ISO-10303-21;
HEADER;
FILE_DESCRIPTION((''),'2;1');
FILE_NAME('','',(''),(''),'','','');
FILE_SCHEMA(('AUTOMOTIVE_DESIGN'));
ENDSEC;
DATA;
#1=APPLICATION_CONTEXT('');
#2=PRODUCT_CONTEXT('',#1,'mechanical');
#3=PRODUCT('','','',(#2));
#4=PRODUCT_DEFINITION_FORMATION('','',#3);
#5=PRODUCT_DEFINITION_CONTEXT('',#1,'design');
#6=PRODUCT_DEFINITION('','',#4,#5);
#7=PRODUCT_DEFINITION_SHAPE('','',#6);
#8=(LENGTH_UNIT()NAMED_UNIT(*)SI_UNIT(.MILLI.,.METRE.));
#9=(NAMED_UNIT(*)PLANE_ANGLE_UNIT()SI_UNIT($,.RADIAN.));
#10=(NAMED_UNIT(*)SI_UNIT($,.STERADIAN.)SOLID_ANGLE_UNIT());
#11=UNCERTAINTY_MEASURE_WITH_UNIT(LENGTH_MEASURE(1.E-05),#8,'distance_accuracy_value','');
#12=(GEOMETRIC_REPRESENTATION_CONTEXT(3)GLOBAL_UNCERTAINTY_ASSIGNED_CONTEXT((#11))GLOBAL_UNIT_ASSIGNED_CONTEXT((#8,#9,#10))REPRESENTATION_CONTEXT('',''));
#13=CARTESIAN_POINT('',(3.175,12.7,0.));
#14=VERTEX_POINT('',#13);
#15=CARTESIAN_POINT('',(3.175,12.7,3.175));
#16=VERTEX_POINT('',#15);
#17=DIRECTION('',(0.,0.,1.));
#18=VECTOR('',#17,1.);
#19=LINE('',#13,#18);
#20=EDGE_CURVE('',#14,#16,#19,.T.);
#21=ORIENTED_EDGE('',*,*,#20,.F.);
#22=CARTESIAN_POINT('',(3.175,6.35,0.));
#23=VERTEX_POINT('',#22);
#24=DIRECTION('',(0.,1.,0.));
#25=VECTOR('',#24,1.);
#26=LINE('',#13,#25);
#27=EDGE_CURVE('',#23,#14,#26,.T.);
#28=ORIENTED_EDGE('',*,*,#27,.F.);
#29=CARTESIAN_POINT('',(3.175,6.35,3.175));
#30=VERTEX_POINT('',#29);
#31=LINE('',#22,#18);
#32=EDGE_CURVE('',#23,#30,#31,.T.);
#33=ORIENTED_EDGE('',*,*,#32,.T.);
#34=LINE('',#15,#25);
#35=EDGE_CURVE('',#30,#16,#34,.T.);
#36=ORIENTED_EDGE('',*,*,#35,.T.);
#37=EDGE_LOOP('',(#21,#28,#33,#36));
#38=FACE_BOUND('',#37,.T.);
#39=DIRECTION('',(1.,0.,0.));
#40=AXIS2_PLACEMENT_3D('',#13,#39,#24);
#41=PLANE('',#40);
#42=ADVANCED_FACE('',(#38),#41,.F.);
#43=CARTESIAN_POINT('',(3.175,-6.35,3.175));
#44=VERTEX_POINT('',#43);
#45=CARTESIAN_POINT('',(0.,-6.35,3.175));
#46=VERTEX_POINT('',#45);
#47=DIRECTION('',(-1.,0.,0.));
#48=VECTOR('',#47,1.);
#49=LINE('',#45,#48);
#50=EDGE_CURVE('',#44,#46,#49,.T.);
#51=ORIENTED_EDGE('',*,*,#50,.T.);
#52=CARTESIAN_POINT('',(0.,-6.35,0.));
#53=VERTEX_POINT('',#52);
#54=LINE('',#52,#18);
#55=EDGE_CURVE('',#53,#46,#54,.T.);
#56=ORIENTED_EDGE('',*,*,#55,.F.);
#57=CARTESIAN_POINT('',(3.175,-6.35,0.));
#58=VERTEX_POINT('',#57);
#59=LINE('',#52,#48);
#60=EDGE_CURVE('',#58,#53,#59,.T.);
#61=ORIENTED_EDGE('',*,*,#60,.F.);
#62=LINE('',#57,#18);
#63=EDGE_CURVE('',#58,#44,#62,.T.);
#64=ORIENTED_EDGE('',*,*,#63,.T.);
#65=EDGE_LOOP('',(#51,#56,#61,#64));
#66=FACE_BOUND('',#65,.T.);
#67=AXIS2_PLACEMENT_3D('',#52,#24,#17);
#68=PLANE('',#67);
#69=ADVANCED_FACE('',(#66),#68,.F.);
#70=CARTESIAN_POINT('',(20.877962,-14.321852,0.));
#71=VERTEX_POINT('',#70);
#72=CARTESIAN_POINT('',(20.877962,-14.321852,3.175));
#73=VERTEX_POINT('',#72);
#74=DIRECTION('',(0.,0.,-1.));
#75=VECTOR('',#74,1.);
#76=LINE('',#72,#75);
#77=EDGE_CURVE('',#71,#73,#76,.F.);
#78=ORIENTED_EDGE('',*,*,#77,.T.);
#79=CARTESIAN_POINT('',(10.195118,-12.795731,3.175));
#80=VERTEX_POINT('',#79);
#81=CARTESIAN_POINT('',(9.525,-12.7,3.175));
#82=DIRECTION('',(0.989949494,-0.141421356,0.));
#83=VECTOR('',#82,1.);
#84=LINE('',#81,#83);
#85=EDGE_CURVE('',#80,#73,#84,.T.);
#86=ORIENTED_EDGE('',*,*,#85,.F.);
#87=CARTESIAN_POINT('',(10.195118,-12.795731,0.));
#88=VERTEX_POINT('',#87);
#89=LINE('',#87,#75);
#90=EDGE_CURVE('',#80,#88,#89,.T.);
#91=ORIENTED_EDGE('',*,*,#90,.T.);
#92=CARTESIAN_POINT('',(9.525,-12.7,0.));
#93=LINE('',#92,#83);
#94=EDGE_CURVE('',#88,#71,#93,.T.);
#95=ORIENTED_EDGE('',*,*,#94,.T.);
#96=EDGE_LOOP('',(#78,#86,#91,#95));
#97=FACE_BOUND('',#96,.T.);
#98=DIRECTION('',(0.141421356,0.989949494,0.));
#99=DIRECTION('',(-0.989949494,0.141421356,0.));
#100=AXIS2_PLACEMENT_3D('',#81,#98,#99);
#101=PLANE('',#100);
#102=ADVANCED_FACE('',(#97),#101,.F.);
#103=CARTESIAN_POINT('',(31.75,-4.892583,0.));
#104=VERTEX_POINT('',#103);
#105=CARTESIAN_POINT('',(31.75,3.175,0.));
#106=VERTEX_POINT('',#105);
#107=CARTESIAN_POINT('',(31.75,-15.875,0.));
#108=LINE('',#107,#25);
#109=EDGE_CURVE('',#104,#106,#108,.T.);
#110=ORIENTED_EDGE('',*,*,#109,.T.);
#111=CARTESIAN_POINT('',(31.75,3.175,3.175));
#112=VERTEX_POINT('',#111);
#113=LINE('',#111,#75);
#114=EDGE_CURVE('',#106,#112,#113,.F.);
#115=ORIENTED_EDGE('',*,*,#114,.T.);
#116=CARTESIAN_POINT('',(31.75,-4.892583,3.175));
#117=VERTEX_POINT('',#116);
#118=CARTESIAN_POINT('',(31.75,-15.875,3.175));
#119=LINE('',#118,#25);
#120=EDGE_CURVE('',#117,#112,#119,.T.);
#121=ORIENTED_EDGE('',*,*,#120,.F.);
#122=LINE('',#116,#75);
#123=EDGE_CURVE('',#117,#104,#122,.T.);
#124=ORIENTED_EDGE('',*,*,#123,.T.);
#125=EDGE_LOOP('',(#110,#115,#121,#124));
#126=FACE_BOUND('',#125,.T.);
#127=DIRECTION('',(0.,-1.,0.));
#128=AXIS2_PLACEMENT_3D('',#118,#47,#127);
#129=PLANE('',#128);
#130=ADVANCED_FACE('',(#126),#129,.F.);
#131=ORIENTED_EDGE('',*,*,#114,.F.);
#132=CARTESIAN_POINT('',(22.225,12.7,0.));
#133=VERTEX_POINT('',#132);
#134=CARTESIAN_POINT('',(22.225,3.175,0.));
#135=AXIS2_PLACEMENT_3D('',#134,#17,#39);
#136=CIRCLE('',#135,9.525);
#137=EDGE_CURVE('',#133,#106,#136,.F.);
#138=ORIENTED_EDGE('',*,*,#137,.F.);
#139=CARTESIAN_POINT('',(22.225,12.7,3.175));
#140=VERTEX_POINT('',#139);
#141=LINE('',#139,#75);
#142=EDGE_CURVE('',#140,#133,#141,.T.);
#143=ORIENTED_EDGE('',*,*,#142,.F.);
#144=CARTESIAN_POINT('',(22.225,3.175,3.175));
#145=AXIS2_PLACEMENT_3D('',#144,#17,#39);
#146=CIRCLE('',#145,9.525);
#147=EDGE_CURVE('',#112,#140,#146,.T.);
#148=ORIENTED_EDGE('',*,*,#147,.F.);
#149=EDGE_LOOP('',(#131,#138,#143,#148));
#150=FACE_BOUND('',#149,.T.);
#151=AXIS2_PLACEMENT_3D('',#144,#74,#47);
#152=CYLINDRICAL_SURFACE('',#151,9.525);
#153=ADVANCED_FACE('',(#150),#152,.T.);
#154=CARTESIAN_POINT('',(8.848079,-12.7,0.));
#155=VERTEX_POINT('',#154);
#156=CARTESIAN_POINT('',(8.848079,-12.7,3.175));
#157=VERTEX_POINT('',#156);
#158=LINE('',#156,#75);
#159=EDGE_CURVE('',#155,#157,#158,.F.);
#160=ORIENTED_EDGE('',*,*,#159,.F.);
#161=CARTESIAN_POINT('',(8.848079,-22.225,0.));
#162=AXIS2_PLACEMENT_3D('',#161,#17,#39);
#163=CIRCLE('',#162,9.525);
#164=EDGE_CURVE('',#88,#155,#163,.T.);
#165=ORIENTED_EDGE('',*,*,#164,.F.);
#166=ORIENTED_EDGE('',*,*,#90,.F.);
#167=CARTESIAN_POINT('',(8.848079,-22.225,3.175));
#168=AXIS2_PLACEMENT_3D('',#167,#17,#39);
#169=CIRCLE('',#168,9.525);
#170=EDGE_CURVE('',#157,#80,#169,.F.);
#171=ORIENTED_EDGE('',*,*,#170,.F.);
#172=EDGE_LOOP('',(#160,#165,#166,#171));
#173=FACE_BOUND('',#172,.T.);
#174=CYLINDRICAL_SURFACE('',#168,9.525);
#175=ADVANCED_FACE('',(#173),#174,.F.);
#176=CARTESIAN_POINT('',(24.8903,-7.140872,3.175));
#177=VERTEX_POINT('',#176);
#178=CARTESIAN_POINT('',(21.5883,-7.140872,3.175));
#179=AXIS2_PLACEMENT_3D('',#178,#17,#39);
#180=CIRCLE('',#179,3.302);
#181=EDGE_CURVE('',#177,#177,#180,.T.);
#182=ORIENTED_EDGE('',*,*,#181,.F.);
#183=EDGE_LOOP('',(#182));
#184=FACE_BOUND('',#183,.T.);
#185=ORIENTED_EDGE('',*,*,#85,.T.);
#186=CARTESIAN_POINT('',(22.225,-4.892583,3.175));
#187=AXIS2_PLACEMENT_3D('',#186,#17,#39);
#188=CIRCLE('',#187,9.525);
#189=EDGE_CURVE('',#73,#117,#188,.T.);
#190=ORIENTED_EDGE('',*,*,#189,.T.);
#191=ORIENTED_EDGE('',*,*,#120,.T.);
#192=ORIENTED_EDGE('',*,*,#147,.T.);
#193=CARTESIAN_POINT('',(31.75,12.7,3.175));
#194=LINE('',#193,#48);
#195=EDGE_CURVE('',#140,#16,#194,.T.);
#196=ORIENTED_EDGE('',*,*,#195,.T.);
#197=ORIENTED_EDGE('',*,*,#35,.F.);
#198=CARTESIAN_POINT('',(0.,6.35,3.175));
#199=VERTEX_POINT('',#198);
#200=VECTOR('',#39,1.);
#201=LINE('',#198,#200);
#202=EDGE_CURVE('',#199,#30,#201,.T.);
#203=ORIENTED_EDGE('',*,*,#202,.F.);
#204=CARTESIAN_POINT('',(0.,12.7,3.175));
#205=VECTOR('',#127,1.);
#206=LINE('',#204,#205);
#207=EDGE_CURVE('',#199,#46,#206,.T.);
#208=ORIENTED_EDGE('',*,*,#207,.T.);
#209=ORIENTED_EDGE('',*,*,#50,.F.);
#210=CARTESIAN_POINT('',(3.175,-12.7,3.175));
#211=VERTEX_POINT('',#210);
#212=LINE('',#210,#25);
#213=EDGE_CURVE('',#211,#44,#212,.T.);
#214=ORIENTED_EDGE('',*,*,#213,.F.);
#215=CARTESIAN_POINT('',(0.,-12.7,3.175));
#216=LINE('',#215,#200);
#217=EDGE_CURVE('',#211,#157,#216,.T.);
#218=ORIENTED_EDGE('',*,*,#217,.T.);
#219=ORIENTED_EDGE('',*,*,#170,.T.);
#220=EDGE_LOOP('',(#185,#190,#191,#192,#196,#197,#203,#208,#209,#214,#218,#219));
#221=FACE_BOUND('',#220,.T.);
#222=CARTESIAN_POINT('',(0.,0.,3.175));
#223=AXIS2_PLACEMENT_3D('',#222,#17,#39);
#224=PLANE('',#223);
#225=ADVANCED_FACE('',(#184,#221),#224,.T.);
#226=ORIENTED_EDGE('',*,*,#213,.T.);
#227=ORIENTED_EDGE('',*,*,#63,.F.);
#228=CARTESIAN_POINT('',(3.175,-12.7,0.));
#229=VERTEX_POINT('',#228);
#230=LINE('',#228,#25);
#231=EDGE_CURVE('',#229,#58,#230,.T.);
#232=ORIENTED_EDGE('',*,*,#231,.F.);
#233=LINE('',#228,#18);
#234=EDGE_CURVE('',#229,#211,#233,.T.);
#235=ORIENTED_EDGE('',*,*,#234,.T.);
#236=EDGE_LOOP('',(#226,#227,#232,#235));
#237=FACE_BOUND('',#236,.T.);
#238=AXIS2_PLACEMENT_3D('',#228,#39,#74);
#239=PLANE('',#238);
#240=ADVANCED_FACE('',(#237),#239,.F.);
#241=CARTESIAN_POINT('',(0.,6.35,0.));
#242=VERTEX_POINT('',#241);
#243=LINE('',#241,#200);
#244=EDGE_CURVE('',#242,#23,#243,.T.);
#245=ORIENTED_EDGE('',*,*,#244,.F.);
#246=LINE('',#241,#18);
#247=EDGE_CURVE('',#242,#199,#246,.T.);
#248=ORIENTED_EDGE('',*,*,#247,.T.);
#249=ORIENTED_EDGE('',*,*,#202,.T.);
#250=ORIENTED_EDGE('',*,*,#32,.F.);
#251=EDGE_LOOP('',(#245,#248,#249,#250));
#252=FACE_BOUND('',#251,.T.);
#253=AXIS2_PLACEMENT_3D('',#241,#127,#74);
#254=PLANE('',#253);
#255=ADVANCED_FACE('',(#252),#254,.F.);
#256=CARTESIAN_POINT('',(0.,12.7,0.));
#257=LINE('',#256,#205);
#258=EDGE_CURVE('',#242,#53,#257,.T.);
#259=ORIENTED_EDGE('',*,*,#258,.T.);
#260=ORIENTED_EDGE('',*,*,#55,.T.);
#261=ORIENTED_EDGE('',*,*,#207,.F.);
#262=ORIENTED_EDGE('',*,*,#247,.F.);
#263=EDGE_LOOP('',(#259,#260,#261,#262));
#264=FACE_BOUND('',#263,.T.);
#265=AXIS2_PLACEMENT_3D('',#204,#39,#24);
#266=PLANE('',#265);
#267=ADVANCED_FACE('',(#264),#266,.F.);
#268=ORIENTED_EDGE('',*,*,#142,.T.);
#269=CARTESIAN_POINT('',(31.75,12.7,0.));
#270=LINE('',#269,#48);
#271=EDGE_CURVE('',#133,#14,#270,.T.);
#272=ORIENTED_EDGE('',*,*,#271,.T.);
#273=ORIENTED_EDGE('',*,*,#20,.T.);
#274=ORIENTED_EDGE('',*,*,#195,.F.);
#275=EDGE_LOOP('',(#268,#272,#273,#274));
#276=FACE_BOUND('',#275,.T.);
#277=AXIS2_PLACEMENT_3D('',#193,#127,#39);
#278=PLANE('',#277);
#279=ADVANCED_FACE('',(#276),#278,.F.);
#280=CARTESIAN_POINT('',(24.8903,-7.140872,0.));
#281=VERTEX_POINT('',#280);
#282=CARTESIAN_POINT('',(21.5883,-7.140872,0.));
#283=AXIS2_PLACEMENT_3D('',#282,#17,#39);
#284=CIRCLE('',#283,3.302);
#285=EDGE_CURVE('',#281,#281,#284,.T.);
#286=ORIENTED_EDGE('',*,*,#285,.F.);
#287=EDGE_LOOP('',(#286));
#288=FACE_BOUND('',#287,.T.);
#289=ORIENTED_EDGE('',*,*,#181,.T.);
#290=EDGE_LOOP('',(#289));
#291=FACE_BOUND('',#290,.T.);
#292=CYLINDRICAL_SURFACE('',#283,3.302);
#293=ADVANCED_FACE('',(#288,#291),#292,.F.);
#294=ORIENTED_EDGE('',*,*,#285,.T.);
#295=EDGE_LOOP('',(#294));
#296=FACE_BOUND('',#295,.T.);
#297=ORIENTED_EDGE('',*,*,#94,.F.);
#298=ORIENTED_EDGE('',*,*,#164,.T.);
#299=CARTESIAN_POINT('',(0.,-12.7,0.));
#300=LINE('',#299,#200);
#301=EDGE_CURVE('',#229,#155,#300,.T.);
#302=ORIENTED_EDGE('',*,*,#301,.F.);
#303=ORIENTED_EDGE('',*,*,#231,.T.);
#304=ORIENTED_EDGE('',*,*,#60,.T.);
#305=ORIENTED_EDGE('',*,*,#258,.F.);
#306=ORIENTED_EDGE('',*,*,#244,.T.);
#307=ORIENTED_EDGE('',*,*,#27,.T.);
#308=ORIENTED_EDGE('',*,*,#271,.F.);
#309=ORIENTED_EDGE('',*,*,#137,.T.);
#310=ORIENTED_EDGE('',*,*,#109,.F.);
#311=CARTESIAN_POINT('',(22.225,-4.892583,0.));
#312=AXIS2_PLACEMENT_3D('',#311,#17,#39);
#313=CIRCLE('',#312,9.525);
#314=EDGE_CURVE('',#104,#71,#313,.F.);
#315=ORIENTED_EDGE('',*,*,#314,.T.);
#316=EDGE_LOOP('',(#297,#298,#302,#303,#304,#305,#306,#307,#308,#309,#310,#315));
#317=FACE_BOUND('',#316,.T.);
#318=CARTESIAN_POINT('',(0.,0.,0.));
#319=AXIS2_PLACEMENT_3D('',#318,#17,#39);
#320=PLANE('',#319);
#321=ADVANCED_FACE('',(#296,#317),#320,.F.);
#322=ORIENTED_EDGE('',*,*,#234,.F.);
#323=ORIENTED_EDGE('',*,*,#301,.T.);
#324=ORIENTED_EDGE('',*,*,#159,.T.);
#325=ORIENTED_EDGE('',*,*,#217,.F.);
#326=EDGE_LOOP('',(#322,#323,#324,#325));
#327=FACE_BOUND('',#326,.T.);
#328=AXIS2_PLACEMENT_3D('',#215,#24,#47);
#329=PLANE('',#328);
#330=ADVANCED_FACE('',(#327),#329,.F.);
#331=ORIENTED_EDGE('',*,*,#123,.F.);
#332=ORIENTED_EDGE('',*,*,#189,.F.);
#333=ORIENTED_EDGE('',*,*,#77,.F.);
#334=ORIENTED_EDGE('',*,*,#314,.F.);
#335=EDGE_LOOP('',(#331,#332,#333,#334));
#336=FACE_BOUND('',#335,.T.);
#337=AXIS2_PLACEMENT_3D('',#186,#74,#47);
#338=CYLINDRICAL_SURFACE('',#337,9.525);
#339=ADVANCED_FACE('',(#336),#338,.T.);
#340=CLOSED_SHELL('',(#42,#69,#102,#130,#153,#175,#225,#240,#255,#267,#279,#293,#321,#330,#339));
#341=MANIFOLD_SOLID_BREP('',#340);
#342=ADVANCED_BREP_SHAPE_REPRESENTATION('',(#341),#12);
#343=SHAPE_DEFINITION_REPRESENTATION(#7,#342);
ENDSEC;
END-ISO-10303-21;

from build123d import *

# Parameters (mm, degrees)
BOSS_EXTRUDE1_DEPTH = 3.175
SKETCH2_R           = 3.302
CUT_EXTRUDE1_DEPTH  = 3.175
FILLET1_R           = 9.525
SKETCH3_W           = 3.175
SKETCH3_H           = 6.35
CUT_EXTRUDE2_DEPTH  = 3.175


with BuildPart() as part:
    # Sketch1 → Boss-Extrude1 (new body)
    with BuildSketch(Plane.XY):
        Polygon((0, 12.7), (0, -12.7), (9.525, -12.7), (31.75, -15.875), (31.75, 12.7), align=None)
    extrude(amount=BOSS_EXTRUDE1_DEPTH)

    # Sketch2 → Cut-Extrude1 (cut)
    with BuildSketch(Plane.XY.offset(3.175)):
        with Locations((21.588299978, -7.140871599)):
            Circle(SKETCH2_R)
    extrude(amount=-CUT_EXTRUDE1_DEPTH, mode=Mode.SUBTRACT)

    # Fillet1
    fillet1_edges = [part.edges().sort_by_distance(p)[0] for p in [
        (31.75, 12.7, 1.5875),
        (31.75, -15.875, 1.5875),
        (9.525, -12.7, 1.5875),
    ]]
    fillet(fillet1_edges, radius=FILLET1_R)

    # Sketch3 → Cut-Extrude2 (cut)
    with BuildSketch(Plane.XY.offset(3.175)):
        with Locations((1.5875, -9.525)):
            Rectangle(SKETCH3_W, SKETCH3_H)
        with Locations((1.5875, 9.525)):
            Rectangle(SKETCH3_W, SKETCH3_H)
    extrude(amount=-CUT_EXTRUDE2_DEPTH, mode=Mode.SUBTRACT)


solid = part.part
